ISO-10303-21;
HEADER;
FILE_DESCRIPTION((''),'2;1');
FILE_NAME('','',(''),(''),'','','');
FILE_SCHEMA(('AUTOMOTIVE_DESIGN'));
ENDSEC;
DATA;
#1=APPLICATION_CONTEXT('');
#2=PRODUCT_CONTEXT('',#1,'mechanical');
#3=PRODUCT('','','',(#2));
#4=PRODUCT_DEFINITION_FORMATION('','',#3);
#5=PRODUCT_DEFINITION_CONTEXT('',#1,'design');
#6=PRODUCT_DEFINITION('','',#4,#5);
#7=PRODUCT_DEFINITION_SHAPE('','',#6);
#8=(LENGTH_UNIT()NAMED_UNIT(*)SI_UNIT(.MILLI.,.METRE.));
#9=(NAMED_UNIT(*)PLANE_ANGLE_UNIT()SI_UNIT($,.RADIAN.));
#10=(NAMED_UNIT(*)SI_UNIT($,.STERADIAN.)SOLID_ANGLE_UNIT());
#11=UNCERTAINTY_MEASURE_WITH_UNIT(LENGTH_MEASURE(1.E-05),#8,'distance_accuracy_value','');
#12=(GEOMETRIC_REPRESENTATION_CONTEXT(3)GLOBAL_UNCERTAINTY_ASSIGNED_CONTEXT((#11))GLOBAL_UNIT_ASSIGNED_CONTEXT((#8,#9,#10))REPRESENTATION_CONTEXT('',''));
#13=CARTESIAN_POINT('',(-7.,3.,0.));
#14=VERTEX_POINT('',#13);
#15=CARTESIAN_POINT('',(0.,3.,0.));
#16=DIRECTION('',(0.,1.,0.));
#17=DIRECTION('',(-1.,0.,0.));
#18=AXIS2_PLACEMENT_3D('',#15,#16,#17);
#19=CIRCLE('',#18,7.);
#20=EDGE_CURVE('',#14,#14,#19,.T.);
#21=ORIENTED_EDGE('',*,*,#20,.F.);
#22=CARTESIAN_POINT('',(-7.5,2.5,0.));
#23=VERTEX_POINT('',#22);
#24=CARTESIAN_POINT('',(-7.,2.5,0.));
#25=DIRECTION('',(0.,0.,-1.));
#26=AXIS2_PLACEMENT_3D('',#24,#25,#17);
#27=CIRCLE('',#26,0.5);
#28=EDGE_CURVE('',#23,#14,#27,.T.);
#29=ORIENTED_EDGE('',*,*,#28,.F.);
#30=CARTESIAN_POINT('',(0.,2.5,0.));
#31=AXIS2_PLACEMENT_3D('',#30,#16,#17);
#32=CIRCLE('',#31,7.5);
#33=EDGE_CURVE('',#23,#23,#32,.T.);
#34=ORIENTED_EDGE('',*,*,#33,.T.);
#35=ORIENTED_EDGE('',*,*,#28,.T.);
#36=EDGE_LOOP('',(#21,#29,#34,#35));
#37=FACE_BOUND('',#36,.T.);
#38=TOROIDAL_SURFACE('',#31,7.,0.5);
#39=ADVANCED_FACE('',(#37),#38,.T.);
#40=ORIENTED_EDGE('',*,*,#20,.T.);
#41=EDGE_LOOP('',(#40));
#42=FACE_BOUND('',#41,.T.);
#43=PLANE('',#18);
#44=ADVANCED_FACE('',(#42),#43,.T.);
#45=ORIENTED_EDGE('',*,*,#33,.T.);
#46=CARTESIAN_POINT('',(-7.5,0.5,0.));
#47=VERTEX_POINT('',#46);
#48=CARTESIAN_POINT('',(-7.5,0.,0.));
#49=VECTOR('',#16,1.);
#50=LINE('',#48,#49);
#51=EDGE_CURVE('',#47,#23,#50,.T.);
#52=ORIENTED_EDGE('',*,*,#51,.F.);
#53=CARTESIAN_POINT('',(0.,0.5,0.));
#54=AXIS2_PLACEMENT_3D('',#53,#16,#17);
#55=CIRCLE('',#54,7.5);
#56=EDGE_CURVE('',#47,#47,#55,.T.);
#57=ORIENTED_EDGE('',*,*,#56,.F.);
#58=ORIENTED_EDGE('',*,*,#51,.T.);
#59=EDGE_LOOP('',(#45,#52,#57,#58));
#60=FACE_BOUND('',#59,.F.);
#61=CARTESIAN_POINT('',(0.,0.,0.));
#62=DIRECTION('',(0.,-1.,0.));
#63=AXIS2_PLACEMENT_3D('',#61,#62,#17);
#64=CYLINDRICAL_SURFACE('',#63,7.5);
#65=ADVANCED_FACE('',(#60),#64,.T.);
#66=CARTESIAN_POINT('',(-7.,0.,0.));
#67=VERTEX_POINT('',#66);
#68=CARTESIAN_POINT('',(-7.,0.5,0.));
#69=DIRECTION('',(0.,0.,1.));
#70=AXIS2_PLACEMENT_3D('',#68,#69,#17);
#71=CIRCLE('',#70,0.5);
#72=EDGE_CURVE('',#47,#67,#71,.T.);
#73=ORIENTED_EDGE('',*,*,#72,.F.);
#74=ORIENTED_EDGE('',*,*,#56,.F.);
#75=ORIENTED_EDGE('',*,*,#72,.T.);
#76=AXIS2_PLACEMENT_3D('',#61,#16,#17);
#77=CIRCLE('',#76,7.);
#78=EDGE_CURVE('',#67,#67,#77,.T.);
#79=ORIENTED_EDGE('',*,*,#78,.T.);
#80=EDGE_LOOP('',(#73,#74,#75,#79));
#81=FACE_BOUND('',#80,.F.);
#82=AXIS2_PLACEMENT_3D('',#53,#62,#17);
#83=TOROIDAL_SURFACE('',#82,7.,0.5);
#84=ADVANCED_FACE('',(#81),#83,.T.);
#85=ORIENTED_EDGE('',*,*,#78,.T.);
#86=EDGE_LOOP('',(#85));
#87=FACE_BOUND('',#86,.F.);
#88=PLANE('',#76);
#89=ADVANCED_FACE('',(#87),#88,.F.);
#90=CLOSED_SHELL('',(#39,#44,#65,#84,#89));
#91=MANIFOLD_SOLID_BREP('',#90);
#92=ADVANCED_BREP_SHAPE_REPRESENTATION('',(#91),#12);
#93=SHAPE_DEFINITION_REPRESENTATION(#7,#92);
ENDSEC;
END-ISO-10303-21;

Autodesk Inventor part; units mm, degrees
ref_plane "YZ Plane" through (0, 0, 0) normal (1, 0, 0) x (0, 1, 0)
ref_plane "XZ Plane" through (0, 0, 0) normal (0, 1, 0) x (-1, 0, 0)
ref_plane "XY Plane" through (0, 0, 0) normal (0, 0, 1) x (1, 0, 0)
sketch "Skizze1" plane through (0, 0, 0) normal (0, 1, 0) x (-1, 0, 0)
  circle A0 centre (0, 0) radius 7.5
  dimension "d0" = 15
extrude "Extrusion1" add sketch "Skizze1" along normal blind 3
fillet "Rundung1" radius 0.5 2 edges at (7.5, 3, 0) (7.5, 0, 0)
properties part number "08-04-01-007_magnet15x3" material "Aluminum 6061-AHC"
